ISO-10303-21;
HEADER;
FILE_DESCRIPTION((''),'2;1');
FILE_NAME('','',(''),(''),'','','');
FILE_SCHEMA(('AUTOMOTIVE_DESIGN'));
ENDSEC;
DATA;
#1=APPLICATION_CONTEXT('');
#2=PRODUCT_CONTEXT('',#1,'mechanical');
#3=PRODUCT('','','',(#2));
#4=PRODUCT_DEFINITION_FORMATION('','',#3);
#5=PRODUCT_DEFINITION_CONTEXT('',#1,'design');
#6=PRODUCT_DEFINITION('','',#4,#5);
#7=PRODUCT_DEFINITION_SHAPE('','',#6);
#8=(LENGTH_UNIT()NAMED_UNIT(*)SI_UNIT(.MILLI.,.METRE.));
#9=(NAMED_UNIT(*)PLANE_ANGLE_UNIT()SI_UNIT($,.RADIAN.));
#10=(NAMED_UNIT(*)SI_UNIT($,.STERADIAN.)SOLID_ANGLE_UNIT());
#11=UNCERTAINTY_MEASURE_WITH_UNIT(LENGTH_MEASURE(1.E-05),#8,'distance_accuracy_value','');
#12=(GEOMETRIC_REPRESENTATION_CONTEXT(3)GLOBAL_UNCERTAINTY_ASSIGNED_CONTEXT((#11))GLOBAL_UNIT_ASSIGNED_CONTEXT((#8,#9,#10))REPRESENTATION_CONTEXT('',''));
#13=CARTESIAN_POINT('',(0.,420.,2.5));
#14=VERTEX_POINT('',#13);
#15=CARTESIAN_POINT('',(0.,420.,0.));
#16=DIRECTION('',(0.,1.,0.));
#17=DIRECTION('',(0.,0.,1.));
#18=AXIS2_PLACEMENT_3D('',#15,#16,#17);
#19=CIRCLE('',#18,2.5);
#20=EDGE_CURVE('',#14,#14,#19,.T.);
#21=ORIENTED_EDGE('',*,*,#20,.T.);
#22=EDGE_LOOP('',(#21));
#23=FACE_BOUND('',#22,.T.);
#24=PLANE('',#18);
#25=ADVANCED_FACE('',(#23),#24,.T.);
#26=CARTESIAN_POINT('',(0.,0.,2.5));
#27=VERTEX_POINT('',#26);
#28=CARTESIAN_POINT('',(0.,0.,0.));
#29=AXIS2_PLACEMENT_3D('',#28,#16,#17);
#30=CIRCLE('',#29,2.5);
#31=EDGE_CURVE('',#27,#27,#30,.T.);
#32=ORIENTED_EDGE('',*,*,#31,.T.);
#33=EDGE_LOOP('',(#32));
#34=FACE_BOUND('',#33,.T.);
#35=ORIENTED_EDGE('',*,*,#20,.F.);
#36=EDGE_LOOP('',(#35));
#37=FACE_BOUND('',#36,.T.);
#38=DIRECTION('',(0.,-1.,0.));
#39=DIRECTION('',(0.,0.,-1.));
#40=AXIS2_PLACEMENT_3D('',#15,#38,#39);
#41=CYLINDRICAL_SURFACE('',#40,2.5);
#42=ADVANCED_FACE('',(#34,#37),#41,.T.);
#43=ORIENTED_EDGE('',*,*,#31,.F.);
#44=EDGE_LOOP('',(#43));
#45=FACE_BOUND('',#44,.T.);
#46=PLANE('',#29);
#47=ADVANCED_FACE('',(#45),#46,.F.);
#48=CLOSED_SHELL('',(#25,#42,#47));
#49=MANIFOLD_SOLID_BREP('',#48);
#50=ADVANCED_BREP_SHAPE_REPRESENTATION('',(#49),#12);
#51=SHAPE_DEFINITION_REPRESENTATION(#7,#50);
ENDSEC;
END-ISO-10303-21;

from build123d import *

# Parameters (mm, degrees)
SKETCH1_R           = 2.5
BOSS_EXTRUDE1_DEPTH = 420


with BuildPart() as part:
    # Sketch1 → Boss-Extrude1 (new body)
    with BuildSketch(Plane(origin=(0, 0, 0), x_dir=(1, 0, 0), z_dir=(0, 1, 0))):
        Circle(SKETCH1_R)
    extrude(amount=BOSS_EXTRUDE1_DEPTH)


solid = part.part
